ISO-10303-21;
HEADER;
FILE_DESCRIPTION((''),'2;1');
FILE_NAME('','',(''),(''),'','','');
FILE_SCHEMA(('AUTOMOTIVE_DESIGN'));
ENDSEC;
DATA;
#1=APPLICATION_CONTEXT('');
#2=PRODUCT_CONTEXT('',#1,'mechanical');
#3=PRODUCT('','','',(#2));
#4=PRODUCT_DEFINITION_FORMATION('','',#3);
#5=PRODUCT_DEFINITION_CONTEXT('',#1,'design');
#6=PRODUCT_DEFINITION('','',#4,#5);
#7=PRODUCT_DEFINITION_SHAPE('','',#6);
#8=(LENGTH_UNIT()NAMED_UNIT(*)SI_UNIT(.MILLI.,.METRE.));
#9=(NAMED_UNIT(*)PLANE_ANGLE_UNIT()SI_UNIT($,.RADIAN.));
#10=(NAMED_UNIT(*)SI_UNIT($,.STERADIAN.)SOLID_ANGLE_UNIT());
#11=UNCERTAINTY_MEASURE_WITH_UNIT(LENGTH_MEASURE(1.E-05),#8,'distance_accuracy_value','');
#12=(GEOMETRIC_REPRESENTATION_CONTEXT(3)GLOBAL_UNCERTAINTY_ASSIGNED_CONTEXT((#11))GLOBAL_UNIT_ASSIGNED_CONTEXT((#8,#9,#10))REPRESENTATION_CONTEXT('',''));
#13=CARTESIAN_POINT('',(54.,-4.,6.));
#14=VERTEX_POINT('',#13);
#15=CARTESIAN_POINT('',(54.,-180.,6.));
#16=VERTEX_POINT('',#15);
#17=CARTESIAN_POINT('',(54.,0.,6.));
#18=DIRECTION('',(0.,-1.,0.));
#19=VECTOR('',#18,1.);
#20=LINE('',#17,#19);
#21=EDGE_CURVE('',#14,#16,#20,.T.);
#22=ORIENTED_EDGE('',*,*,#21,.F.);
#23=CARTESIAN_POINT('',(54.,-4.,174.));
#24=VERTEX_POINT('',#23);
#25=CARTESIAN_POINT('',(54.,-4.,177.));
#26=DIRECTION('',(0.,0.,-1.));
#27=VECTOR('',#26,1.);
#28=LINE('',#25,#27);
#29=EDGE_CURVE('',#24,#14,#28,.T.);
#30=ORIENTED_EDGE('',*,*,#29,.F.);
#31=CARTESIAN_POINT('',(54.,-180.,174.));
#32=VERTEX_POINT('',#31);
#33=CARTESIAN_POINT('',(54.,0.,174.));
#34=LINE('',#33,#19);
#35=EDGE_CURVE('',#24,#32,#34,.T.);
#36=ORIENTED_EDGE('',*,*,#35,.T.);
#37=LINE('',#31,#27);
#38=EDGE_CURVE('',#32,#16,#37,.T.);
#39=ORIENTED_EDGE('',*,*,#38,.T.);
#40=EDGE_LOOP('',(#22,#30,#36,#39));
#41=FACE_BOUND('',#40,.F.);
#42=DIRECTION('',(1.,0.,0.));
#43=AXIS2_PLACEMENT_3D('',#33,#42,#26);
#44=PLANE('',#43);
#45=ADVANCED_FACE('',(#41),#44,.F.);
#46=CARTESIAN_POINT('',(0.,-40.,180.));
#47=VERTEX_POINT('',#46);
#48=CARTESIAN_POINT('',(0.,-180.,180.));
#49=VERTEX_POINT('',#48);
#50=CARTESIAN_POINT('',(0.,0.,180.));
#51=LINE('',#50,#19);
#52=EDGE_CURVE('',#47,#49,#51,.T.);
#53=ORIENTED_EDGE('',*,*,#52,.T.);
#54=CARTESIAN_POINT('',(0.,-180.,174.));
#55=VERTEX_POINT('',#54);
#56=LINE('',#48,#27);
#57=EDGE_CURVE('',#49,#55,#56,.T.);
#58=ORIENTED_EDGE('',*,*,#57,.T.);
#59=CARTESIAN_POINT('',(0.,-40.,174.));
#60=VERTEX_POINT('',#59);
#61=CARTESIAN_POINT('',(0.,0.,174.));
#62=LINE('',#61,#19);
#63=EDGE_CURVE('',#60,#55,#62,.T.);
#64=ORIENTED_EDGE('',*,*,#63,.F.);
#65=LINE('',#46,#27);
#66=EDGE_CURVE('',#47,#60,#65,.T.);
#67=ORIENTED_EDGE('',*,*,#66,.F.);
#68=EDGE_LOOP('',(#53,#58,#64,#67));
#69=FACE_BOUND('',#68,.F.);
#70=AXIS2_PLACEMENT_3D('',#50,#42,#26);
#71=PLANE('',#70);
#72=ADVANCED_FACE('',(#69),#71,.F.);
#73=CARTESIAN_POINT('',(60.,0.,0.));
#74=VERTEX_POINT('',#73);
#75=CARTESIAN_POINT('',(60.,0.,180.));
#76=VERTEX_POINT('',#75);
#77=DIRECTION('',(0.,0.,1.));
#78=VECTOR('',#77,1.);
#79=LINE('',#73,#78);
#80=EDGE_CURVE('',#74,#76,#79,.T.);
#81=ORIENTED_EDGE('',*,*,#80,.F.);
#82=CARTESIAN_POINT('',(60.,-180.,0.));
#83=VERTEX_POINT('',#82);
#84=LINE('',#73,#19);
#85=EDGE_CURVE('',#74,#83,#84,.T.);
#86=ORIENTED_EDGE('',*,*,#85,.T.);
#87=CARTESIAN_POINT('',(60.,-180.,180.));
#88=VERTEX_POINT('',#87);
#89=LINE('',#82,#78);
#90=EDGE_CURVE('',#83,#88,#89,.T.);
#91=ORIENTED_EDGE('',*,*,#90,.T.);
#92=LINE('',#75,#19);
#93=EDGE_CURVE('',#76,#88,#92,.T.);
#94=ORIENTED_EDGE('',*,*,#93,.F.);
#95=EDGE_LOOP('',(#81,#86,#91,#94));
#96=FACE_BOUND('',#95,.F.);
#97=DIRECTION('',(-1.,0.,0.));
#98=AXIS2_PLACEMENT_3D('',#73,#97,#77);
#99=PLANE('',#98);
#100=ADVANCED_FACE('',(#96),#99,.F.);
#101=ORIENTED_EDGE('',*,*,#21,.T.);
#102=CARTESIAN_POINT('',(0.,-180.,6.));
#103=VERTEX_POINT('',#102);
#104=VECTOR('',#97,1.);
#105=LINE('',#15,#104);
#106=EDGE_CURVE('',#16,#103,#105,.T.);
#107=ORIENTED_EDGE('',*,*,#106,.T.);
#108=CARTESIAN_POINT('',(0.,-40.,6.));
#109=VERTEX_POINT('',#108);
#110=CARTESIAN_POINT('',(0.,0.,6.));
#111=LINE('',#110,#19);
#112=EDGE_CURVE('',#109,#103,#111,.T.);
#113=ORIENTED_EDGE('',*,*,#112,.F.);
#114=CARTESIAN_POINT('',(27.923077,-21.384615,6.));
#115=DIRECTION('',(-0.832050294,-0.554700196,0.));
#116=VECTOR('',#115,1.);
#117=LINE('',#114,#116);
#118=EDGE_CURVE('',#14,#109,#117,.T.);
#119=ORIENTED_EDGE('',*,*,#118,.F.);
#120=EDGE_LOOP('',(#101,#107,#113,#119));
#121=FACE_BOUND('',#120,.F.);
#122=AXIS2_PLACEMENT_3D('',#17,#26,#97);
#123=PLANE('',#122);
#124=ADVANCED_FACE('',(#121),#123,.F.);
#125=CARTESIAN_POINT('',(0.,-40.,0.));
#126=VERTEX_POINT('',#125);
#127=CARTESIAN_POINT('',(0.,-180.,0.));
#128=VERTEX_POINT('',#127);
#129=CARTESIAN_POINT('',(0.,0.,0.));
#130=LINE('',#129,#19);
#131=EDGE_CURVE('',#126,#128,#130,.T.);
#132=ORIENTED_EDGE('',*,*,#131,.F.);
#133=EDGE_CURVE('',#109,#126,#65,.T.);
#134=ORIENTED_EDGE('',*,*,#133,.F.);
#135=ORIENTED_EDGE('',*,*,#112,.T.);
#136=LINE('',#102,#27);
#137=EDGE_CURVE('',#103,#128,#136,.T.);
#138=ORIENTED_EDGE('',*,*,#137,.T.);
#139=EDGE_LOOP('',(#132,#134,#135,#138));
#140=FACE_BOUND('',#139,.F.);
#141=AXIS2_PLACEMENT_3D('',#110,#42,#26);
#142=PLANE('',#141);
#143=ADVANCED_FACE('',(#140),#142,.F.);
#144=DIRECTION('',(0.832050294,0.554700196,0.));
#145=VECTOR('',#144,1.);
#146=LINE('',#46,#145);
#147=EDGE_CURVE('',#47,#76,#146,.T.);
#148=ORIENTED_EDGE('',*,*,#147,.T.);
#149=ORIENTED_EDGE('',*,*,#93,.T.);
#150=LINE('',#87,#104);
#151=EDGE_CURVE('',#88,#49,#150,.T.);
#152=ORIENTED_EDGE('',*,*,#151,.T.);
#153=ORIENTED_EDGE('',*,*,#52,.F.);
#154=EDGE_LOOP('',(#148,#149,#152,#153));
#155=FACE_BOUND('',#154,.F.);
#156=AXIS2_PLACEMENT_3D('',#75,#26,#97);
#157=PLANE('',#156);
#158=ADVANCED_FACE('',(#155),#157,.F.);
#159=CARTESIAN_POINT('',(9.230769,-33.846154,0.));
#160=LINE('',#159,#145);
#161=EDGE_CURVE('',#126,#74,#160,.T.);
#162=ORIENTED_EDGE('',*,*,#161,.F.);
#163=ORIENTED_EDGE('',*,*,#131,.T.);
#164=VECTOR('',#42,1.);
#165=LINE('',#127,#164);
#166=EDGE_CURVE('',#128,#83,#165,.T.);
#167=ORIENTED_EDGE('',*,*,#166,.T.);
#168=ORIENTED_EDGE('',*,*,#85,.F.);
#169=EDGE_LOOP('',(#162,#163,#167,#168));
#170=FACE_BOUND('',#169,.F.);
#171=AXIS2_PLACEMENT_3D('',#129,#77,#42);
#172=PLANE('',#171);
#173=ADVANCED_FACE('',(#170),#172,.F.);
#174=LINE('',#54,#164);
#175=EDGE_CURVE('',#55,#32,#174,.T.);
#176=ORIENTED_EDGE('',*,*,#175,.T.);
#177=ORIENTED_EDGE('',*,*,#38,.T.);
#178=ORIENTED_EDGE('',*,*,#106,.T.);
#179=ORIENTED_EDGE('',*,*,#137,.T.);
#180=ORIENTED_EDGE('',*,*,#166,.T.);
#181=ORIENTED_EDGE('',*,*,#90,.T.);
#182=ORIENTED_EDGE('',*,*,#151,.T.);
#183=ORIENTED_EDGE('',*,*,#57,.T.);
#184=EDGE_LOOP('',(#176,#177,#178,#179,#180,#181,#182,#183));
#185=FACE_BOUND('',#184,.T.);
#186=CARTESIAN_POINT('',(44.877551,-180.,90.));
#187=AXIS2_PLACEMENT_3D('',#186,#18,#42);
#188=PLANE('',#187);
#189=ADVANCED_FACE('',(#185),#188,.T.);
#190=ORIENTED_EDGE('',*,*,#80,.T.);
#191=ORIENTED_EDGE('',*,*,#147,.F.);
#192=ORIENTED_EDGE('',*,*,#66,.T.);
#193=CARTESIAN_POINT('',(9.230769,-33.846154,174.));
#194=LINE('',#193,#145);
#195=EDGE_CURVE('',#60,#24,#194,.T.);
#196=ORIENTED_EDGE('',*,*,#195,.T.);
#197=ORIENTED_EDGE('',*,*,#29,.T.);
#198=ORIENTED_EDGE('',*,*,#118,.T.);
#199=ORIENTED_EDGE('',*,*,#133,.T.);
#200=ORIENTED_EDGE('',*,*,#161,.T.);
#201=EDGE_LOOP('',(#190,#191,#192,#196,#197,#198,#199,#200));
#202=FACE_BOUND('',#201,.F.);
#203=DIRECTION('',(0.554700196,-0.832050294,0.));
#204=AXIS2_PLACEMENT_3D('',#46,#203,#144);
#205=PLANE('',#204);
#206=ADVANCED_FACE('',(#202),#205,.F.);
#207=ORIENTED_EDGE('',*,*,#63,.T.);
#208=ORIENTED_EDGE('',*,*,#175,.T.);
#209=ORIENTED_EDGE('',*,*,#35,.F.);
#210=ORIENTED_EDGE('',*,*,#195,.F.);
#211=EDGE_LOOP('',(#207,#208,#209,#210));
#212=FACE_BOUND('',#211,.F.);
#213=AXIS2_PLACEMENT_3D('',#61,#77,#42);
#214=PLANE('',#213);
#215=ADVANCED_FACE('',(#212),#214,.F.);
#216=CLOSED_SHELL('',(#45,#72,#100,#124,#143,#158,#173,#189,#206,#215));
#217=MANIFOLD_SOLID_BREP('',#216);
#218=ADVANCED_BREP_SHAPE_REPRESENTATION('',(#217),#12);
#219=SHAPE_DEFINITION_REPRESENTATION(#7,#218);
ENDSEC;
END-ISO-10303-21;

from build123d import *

# Parameters (mm, degrees)
F1_DEPTH = 180
F3_DEPTH = 180.001


with BuildPart() as f1:
    # F0 (on Front) → F1 (new body)
    with BuildSketch(Plane.XZ):
        Polygon((60, 180), (0, 180), (0, 174), (54, 174), (54, 6), (0, 6), (0, 0), (60, 0), align=None)
    extrude(amount=F1_DEPTH)

    # F2 (on face) → F3 (cut, through all)
    with BuildSketch(Plane.XY.offset(180)):
        Polygon((60, 0), (0, 0), (0, -40), align=None)
    extrude(amount=-F3_DEPTH, mode=Mode.SUBTRACT)


solid = f1.part
